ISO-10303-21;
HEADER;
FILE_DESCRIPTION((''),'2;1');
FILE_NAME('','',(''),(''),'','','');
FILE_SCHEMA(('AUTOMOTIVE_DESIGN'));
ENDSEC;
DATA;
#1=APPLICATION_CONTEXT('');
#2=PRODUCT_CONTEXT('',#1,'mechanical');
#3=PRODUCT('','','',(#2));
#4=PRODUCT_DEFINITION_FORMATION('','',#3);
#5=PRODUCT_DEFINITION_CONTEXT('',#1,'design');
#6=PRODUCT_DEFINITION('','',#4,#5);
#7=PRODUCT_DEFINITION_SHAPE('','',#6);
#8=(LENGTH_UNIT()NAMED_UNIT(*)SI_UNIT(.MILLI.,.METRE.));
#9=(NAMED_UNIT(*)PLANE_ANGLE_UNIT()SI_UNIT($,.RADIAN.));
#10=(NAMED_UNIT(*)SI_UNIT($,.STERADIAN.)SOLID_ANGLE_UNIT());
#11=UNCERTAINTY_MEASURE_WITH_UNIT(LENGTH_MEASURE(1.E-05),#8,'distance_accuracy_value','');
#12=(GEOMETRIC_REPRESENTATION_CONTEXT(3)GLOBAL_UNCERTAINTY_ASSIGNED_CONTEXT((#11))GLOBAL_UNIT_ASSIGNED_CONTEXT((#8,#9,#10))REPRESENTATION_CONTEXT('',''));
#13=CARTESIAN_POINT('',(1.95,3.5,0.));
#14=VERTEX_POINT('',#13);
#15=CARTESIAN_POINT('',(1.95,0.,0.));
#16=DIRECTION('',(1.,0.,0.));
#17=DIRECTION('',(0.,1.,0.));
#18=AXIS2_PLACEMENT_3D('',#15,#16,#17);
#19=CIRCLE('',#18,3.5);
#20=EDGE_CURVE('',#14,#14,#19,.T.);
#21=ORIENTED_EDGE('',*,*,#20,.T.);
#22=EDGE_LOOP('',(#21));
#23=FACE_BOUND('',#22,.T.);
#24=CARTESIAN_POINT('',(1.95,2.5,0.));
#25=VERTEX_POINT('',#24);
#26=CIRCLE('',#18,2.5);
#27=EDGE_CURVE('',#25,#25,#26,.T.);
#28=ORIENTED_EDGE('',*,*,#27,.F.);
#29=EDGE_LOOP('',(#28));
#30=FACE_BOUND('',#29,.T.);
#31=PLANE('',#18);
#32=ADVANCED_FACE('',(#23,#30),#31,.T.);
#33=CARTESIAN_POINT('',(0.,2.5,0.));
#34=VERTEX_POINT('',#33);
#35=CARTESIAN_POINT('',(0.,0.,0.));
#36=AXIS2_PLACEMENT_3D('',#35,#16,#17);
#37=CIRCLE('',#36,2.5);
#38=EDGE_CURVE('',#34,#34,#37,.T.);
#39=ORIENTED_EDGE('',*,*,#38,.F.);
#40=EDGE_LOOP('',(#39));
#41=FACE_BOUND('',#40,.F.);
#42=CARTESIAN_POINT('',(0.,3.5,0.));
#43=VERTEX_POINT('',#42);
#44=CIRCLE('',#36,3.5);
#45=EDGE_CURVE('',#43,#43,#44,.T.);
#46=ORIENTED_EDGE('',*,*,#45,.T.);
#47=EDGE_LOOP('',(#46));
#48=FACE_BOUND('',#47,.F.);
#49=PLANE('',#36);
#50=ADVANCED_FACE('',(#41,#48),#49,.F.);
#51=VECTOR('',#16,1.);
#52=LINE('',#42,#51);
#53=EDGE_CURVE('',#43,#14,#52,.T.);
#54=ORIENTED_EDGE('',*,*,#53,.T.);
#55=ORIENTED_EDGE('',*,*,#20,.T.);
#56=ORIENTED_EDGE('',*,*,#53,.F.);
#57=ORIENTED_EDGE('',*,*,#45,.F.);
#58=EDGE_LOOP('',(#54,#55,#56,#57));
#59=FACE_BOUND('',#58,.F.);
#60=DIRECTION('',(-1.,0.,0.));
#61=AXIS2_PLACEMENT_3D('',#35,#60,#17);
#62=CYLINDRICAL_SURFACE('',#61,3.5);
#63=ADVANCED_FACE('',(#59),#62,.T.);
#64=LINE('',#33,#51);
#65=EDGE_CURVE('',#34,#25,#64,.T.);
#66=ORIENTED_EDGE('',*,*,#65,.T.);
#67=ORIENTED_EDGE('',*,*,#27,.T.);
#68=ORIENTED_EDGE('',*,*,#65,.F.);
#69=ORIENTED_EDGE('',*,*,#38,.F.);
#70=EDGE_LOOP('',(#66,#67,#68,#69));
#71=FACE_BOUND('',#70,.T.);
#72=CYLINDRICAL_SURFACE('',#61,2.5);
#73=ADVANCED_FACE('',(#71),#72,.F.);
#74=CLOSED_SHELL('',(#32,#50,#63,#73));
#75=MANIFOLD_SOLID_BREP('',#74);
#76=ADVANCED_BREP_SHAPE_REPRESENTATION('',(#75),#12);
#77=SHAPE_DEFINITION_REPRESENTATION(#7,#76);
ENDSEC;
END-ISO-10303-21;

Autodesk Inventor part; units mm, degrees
ref_plane "YZ Plane" through (0, 0, 0) normal (1, 0, 0) x (0, 1, 0)
ref_plane "XZ Plane" through (0, 0, 0) normal (0, 1, 0) x (-1, 0, 0)
ref_plane "XY Plane" through (0, 0, 0) normal (0, 0, 1) x (1, 0, 0)
sketch "Szkic1" plane through (0, 0, 0) normal (1, 0, 0) x (0, 1, 0)
  circle A0 centre (0, 0) radius 2.5
  circle A1 centre (0, 0) radius 3.5
  dimension "d0" = 5
  dimension "d1" = 7
extrude "Wyciągnięcie proste1" add sketch "Szkic1" along normal blind 1.95
properties part number "tuleja_dół"
